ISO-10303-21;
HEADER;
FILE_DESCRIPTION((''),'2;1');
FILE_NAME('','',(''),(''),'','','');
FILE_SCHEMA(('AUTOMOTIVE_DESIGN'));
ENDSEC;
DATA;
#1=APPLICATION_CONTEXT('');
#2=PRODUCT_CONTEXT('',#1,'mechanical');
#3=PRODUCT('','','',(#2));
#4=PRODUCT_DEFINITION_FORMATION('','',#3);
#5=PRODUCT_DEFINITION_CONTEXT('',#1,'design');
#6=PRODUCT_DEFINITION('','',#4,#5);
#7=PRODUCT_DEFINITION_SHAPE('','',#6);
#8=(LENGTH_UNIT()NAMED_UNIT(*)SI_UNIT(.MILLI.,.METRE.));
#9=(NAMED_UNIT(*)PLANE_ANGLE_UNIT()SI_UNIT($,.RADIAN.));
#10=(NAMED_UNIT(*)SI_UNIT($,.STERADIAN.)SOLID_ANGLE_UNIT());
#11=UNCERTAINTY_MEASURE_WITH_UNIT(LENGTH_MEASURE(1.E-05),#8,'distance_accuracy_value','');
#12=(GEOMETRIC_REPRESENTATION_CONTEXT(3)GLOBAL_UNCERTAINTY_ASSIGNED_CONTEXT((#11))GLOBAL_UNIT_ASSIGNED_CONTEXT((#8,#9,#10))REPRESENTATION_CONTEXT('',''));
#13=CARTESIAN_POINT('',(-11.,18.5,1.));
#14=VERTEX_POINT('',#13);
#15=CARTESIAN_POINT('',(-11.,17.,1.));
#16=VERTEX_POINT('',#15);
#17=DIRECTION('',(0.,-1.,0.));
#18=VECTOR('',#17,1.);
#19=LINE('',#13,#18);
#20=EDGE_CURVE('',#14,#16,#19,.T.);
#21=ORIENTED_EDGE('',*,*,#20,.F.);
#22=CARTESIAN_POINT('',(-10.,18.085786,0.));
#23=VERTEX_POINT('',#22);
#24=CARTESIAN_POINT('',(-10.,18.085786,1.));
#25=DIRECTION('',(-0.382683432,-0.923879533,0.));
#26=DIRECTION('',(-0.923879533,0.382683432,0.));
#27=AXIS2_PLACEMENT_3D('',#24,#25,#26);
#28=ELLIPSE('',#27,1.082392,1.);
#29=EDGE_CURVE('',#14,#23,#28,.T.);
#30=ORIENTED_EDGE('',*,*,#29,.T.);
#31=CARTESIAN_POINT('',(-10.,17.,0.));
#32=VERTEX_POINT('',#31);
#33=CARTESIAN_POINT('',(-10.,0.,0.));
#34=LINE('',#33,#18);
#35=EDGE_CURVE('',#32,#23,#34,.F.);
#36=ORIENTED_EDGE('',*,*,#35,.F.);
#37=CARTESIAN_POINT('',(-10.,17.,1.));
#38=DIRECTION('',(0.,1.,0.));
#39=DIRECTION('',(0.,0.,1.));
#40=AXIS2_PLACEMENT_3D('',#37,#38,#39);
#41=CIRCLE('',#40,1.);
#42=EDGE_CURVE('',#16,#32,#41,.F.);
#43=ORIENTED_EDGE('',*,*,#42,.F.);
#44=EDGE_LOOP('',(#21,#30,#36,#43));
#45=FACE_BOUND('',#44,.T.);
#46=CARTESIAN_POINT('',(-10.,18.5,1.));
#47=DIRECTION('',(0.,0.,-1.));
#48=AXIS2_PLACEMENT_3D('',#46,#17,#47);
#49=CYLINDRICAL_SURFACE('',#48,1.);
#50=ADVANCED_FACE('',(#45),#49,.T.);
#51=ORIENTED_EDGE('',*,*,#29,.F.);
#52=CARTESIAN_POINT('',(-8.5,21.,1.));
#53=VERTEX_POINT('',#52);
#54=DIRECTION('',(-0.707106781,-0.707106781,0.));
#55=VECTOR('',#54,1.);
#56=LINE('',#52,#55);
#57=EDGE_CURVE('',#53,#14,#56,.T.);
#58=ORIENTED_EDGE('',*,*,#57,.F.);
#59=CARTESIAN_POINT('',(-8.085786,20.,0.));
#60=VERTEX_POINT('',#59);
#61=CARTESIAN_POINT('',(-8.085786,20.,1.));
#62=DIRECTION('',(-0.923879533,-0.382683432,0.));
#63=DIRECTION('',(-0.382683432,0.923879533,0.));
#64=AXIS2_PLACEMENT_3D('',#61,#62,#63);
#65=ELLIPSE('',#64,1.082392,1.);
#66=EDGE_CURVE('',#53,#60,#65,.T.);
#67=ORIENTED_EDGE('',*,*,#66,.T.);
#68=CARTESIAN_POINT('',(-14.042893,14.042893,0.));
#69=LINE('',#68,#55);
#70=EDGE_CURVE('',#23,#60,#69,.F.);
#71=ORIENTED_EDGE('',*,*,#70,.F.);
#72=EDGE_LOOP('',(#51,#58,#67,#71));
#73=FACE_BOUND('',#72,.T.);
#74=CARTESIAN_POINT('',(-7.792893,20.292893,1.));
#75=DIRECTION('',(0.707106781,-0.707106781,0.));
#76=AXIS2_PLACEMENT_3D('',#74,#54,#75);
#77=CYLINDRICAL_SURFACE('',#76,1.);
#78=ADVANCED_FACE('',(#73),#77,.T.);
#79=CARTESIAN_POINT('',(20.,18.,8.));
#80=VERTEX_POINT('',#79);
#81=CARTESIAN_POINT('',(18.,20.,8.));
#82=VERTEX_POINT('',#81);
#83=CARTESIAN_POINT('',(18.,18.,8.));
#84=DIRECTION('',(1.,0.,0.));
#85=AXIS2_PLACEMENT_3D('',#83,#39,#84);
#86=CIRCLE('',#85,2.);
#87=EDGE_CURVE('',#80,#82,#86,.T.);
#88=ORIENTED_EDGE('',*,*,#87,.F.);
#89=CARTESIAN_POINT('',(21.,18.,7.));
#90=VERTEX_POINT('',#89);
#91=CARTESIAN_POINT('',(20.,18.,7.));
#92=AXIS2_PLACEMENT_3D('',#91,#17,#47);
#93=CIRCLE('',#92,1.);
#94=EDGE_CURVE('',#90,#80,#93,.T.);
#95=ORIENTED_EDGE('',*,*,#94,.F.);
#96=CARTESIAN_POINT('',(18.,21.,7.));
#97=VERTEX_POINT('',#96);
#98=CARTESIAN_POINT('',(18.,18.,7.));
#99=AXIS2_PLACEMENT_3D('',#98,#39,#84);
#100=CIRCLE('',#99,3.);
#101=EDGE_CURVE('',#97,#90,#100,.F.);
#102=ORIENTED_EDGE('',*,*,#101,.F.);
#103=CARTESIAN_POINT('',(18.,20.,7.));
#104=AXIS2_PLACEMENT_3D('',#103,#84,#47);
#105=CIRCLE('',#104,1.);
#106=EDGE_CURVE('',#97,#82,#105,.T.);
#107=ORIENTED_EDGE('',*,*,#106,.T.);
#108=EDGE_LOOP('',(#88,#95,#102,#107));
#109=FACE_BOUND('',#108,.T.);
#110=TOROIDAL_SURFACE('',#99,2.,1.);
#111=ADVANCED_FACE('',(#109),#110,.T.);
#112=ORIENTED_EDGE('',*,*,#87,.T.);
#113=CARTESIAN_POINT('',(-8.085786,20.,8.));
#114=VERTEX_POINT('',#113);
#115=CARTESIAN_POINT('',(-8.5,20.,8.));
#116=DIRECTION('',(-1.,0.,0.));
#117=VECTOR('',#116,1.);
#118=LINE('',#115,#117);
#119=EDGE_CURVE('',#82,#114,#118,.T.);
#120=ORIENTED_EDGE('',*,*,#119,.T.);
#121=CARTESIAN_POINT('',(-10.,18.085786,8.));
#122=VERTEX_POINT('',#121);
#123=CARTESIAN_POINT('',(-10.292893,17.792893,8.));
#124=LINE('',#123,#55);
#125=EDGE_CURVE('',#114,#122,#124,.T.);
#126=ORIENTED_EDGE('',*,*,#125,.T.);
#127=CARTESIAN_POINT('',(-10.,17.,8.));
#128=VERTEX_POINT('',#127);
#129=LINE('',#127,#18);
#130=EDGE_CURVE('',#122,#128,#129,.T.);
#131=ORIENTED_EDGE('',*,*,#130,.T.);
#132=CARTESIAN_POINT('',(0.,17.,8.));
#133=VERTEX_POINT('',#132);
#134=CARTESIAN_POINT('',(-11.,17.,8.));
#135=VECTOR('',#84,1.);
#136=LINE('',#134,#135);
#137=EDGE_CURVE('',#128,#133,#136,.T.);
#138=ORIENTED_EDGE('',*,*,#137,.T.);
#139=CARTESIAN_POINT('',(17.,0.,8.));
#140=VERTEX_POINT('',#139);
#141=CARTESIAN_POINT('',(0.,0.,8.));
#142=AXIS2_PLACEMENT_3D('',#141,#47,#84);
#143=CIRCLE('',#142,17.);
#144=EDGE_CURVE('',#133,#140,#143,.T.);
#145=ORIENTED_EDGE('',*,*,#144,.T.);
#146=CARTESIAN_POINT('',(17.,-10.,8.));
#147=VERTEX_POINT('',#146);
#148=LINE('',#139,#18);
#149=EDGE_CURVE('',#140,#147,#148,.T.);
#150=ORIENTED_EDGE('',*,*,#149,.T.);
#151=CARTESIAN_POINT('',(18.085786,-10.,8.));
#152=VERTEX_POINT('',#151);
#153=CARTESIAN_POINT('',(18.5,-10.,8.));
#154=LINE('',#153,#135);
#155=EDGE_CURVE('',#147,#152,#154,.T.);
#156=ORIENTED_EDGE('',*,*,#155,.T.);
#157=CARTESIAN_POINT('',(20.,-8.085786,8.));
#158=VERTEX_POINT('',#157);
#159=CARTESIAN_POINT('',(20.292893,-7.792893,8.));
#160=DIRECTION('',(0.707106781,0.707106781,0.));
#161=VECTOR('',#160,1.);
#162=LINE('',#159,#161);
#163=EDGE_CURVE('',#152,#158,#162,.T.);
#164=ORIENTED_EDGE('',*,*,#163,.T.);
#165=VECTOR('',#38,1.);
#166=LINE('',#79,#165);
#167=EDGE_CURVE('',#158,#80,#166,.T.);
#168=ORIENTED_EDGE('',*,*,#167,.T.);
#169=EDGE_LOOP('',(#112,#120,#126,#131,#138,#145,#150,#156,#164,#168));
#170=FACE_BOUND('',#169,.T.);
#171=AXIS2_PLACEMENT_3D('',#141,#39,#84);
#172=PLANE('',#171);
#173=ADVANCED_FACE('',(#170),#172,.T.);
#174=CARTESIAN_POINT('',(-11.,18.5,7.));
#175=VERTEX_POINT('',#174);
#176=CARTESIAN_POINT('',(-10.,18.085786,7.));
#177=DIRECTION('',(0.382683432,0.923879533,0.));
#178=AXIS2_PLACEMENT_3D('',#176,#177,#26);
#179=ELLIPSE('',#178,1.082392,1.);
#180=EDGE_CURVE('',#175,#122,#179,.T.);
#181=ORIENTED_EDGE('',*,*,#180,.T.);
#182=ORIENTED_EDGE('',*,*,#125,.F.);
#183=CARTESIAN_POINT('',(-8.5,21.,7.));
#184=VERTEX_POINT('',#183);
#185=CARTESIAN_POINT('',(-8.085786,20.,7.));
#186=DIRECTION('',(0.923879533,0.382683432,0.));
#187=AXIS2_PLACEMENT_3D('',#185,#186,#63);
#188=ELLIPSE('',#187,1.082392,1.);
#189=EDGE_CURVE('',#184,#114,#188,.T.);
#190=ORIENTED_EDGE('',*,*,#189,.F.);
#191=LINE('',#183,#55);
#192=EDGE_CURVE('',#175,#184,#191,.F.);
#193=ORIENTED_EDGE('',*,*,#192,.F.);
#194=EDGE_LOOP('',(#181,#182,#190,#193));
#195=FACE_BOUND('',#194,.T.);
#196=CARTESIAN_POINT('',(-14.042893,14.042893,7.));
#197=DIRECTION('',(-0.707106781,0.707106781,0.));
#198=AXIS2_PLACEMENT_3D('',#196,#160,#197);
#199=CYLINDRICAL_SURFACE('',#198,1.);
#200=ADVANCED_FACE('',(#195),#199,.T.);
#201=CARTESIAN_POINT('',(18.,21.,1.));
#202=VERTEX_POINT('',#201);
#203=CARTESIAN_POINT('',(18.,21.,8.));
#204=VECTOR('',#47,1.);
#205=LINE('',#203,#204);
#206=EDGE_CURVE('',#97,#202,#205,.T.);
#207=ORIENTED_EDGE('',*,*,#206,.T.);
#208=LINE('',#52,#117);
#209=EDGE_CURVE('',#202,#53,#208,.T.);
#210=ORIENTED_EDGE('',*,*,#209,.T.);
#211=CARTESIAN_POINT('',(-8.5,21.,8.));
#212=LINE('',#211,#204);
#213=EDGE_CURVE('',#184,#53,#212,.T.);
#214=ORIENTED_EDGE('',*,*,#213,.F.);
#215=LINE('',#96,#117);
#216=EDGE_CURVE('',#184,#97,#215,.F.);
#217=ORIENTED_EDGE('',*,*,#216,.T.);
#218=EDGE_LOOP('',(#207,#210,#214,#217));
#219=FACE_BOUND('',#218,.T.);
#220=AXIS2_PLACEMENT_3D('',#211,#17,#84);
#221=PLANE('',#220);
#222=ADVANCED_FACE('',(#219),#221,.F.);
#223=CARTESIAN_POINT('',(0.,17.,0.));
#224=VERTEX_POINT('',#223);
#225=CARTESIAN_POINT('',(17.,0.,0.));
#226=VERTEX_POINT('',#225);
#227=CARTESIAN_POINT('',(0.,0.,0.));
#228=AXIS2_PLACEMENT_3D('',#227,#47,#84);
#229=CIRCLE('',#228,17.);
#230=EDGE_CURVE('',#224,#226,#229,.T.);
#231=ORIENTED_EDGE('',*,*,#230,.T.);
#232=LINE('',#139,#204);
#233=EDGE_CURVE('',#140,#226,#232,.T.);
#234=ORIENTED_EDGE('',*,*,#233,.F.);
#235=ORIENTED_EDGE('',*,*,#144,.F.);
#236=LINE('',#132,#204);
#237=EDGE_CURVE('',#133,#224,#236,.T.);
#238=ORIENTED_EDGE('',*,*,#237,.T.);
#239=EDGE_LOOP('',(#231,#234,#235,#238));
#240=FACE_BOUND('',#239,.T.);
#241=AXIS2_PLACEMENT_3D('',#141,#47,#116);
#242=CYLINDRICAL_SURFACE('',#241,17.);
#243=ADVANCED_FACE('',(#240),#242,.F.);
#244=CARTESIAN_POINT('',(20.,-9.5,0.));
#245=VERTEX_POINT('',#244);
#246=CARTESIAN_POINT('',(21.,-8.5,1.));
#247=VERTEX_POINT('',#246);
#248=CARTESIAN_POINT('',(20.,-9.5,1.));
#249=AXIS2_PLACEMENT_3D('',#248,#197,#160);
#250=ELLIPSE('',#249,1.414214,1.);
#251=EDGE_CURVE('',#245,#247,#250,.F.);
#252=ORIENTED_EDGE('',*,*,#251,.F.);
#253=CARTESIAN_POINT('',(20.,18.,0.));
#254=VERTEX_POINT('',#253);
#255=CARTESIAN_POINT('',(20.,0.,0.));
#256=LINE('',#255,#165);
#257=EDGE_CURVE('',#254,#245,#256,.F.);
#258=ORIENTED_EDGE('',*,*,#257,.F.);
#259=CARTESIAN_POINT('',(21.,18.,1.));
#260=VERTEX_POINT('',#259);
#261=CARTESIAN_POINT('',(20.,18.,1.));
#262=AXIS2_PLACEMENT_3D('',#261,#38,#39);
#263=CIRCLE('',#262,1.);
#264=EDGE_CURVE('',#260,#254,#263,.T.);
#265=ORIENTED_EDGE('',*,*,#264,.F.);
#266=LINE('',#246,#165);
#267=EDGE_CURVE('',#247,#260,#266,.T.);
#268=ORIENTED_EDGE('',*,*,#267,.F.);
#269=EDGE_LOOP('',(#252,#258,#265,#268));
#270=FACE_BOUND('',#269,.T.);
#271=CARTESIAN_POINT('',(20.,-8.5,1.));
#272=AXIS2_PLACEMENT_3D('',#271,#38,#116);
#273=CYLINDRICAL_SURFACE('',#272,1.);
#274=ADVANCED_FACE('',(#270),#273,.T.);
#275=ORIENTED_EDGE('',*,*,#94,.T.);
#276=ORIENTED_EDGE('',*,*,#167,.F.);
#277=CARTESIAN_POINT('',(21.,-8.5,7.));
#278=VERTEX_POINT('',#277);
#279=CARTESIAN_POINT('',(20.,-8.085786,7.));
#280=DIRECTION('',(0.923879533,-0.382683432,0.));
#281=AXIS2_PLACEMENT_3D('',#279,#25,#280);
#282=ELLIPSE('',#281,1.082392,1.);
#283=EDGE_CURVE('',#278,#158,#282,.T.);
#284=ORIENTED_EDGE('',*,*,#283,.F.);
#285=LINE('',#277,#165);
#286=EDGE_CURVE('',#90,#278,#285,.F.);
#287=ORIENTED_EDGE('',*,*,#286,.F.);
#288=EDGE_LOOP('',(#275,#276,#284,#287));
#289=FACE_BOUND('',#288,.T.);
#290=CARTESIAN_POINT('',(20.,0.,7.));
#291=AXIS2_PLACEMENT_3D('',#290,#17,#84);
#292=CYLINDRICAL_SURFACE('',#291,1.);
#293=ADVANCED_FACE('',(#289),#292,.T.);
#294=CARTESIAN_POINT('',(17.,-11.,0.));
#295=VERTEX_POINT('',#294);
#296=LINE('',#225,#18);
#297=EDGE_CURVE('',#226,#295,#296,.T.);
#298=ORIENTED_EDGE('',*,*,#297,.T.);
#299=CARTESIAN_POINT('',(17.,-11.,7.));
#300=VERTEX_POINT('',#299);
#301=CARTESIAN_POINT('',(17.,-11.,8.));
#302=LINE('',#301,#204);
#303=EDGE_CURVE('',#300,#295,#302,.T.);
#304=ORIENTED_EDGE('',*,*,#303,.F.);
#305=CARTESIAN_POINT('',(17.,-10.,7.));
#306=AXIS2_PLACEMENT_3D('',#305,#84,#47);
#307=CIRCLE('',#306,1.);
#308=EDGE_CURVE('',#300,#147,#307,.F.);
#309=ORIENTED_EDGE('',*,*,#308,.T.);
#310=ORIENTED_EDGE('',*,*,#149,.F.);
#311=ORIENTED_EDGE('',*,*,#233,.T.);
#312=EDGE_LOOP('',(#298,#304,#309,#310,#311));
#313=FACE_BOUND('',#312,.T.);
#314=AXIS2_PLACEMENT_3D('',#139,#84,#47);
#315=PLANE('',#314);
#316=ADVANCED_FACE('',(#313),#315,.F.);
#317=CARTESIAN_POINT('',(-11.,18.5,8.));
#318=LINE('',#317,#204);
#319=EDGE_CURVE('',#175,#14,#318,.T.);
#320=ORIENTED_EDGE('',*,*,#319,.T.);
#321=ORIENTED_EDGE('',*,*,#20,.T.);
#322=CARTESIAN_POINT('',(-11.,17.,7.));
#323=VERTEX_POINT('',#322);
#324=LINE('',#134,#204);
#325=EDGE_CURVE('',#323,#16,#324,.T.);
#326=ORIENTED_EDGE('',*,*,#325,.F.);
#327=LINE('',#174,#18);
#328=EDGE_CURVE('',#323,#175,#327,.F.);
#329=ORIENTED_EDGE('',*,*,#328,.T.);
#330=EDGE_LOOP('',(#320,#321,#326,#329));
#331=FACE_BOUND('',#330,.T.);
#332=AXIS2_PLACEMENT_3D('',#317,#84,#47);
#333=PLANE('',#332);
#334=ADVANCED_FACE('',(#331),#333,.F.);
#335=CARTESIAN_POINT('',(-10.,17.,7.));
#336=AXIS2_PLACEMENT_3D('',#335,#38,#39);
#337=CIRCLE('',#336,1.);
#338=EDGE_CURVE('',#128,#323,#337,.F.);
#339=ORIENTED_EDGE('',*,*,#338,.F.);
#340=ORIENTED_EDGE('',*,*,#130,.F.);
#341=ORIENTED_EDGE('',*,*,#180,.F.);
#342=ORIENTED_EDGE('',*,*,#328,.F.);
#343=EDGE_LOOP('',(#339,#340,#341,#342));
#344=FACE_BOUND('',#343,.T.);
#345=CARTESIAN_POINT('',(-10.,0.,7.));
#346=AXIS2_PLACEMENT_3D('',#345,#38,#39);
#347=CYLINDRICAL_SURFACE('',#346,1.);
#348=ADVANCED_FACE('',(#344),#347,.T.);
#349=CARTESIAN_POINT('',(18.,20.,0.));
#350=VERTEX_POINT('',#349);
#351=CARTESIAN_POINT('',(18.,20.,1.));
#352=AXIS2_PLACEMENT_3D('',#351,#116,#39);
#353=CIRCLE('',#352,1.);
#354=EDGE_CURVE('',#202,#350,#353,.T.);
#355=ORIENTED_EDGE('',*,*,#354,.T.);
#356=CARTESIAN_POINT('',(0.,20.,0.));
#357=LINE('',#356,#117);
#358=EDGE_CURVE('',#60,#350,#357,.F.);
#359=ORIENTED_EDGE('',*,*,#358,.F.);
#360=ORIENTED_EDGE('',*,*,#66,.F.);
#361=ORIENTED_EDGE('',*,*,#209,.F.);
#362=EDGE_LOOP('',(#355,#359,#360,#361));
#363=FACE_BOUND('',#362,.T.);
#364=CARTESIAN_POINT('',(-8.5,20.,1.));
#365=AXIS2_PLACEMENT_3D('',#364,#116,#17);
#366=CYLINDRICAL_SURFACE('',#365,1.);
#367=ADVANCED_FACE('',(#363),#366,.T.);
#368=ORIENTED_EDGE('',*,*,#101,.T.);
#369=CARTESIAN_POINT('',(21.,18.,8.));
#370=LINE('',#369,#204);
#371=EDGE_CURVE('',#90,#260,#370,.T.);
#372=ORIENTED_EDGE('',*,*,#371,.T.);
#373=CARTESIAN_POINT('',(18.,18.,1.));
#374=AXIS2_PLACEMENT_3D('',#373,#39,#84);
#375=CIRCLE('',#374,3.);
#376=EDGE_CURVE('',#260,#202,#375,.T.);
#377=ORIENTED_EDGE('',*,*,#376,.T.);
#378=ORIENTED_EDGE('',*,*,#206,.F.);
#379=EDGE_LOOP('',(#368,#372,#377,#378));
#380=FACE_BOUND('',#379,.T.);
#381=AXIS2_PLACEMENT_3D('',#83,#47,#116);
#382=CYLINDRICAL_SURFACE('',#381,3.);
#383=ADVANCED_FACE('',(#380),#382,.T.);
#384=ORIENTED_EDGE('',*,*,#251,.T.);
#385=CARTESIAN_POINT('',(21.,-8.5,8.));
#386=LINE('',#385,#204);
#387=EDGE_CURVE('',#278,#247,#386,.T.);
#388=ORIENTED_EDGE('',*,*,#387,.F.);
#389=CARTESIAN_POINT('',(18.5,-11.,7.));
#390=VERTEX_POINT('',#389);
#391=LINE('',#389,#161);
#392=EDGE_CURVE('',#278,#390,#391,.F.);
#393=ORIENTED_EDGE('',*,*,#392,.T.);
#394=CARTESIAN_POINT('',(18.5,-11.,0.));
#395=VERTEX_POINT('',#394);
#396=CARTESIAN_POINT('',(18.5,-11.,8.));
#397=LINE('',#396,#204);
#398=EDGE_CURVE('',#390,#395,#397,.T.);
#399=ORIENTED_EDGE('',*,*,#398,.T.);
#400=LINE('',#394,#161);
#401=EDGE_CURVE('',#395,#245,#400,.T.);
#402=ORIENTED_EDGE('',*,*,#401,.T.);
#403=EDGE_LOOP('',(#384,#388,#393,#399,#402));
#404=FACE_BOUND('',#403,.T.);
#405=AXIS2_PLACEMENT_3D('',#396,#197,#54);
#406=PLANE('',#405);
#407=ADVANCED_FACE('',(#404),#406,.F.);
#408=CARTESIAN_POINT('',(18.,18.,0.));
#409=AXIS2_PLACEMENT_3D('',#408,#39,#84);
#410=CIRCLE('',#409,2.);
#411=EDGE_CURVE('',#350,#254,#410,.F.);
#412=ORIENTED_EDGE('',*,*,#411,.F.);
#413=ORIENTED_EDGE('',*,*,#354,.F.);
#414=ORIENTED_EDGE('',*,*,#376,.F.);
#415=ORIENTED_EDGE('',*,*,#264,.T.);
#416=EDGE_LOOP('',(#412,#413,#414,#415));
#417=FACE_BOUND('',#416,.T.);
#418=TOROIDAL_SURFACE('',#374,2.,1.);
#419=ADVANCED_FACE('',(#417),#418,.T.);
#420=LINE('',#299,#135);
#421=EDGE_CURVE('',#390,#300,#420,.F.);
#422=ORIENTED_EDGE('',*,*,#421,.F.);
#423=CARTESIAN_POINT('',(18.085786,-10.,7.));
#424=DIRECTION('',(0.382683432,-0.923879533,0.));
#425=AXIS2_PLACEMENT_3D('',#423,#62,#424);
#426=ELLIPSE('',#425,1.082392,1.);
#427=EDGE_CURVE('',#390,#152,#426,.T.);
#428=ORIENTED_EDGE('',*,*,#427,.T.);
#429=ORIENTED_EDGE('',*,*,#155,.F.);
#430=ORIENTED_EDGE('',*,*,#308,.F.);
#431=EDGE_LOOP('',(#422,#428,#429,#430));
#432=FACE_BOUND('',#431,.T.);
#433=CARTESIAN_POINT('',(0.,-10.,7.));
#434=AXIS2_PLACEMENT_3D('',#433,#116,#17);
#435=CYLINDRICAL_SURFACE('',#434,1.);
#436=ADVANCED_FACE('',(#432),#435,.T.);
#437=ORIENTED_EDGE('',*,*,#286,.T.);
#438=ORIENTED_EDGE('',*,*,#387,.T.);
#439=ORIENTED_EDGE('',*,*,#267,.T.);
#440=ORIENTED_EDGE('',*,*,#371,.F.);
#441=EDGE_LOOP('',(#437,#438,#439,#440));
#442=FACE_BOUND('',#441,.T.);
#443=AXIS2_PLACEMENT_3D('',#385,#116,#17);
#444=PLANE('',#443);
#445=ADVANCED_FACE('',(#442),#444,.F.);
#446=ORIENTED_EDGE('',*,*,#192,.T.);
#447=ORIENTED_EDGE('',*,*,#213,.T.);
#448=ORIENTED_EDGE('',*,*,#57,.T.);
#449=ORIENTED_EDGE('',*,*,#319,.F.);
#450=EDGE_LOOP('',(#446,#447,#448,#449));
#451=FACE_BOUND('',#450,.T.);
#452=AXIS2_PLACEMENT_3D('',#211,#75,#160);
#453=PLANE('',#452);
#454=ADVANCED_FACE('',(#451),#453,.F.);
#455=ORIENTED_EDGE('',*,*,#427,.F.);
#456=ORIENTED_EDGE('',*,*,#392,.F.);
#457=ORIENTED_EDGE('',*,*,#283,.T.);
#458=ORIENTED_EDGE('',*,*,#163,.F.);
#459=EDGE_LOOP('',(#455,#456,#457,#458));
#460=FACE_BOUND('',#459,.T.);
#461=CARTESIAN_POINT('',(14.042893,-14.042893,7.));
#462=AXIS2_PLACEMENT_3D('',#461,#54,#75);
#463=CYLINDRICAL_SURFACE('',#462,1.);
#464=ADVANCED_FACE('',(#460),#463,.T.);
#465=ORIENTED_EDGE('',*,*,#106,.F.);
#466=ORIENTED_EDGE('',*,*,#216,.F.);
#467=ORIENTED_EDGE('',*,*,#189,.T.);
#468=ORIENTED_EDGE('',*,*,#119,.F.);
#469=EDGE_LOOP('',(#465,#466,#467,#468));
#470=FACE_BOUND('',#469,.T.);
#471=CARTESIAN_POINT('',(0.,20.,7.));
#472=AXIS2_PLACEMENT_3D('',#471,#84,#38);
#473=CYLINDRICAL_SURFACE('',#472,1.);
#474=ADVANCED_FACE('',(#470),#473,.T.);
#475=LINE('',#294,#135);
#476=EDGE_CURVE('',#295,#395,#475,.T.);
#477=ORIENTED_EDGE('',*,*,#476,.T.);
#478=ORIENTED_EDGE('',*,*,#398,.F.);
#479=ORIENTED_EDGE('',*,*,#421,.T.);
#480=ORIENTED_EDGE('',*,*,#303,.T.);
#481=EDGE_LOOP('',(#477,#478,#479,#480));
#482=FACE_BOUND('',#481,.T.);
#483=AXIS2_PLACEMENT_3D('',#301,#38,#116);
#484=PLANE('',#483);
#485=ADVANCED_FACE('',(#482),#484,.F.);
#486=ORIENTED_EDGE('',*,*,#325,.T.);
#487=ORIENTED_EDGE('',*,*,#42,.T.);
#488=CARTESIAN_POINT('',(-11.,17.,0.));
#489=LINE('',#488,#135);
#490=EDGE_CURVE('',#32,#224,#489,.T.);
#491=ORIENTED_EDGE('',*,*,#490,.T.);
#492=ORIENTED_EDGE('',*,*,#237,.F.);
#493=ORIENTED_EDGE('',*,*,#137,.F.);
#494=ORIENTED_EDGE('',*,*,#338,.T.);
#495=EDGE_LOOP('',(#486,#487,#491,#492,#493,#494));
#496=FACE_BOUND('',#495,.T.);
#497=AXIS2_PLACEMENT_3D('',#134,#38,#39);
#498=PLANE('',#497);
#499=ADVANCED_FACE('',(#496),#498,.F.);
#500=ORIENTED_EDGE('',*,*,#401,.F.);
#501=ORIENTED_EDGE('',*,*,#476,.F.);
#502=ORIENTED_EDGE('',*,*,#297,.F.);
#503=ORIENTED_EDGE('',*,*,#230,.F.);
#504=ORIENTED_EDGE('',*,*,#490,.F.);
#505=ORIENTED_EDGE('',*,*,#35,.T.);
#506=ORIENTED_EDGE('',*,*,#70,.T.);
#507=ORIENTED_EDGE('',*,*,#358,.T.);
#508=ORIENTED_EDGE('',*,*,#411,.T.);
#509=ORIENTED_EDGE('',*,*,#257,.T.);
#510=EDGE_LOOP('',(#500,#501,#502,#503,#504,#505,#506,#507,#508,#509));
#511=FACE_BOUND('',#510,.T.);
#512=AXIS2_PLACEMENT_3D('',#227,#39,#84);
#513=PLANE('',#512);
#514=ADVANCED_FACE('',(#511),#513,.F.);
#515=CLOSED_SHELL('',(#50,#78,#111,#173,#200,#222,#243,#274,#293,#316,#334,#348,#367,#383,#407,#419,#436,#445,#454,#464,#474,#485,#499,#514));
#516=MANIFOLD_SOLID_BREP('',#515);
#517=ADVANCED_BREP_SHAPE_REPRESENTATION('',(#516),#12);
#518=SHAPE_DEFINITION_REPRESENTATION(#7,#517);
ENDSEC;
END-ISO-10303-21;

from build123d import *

# Parameters (mm, degrees)
EXTRUDE_1_DEPTH = 8
FILLET_1_R      = 1


with BuildPart() as part:
    # Эскиз1 → Бобышка-Вытянуть1 (new body)
    with BuildSketch(Plane.XY):
        with BuildLine():
            Line((-8.5, 21), (18, 21))
            ThreePointArc((18, 21), (20.121320344, 20.121320344), (21, 18))
            Line((21, 18), (21, -8.5))
            Line((21, -8.5), (18.5, -11))
            Line((18.5, -11), (17, -11))
            Line((17, -11), (17, 0))
            ThreePointArc((17, 0), (12.02081528, 12.02081528), (0, 17))
            Line((0, 17), (-11, 17))
            Line((-11, 17), (-11, 18.5))
            Line((-11, 18.5), (-8.5, 21))
        make_face()
    extrude(amount=EXTRUDE_1_DEPTH)

    # Скругление1
    fillet_1_edges = [part.edges().sort_by_distance(p)[0] for p in [
        (21, 4.75, 0),
        (-11, 17.75, 0),
        (-9.75, 19.75, 0),
        (17.75, -11, 8),
        (19.75, -9.75, 8),
        (21, 4.75, 8),
        (20.121320344, 20.121320344, 8),
        (4.75, 21, 8),
        (-9.75, 19.75, 8),
        (-11, 17.75, 8),
        (4.75, 21, 0),
        (20.121320344, 20.121320344, 0),
    ]]
    fillet(fillet_1_edges, radius=FILLET_1_R)


solid = part.part
